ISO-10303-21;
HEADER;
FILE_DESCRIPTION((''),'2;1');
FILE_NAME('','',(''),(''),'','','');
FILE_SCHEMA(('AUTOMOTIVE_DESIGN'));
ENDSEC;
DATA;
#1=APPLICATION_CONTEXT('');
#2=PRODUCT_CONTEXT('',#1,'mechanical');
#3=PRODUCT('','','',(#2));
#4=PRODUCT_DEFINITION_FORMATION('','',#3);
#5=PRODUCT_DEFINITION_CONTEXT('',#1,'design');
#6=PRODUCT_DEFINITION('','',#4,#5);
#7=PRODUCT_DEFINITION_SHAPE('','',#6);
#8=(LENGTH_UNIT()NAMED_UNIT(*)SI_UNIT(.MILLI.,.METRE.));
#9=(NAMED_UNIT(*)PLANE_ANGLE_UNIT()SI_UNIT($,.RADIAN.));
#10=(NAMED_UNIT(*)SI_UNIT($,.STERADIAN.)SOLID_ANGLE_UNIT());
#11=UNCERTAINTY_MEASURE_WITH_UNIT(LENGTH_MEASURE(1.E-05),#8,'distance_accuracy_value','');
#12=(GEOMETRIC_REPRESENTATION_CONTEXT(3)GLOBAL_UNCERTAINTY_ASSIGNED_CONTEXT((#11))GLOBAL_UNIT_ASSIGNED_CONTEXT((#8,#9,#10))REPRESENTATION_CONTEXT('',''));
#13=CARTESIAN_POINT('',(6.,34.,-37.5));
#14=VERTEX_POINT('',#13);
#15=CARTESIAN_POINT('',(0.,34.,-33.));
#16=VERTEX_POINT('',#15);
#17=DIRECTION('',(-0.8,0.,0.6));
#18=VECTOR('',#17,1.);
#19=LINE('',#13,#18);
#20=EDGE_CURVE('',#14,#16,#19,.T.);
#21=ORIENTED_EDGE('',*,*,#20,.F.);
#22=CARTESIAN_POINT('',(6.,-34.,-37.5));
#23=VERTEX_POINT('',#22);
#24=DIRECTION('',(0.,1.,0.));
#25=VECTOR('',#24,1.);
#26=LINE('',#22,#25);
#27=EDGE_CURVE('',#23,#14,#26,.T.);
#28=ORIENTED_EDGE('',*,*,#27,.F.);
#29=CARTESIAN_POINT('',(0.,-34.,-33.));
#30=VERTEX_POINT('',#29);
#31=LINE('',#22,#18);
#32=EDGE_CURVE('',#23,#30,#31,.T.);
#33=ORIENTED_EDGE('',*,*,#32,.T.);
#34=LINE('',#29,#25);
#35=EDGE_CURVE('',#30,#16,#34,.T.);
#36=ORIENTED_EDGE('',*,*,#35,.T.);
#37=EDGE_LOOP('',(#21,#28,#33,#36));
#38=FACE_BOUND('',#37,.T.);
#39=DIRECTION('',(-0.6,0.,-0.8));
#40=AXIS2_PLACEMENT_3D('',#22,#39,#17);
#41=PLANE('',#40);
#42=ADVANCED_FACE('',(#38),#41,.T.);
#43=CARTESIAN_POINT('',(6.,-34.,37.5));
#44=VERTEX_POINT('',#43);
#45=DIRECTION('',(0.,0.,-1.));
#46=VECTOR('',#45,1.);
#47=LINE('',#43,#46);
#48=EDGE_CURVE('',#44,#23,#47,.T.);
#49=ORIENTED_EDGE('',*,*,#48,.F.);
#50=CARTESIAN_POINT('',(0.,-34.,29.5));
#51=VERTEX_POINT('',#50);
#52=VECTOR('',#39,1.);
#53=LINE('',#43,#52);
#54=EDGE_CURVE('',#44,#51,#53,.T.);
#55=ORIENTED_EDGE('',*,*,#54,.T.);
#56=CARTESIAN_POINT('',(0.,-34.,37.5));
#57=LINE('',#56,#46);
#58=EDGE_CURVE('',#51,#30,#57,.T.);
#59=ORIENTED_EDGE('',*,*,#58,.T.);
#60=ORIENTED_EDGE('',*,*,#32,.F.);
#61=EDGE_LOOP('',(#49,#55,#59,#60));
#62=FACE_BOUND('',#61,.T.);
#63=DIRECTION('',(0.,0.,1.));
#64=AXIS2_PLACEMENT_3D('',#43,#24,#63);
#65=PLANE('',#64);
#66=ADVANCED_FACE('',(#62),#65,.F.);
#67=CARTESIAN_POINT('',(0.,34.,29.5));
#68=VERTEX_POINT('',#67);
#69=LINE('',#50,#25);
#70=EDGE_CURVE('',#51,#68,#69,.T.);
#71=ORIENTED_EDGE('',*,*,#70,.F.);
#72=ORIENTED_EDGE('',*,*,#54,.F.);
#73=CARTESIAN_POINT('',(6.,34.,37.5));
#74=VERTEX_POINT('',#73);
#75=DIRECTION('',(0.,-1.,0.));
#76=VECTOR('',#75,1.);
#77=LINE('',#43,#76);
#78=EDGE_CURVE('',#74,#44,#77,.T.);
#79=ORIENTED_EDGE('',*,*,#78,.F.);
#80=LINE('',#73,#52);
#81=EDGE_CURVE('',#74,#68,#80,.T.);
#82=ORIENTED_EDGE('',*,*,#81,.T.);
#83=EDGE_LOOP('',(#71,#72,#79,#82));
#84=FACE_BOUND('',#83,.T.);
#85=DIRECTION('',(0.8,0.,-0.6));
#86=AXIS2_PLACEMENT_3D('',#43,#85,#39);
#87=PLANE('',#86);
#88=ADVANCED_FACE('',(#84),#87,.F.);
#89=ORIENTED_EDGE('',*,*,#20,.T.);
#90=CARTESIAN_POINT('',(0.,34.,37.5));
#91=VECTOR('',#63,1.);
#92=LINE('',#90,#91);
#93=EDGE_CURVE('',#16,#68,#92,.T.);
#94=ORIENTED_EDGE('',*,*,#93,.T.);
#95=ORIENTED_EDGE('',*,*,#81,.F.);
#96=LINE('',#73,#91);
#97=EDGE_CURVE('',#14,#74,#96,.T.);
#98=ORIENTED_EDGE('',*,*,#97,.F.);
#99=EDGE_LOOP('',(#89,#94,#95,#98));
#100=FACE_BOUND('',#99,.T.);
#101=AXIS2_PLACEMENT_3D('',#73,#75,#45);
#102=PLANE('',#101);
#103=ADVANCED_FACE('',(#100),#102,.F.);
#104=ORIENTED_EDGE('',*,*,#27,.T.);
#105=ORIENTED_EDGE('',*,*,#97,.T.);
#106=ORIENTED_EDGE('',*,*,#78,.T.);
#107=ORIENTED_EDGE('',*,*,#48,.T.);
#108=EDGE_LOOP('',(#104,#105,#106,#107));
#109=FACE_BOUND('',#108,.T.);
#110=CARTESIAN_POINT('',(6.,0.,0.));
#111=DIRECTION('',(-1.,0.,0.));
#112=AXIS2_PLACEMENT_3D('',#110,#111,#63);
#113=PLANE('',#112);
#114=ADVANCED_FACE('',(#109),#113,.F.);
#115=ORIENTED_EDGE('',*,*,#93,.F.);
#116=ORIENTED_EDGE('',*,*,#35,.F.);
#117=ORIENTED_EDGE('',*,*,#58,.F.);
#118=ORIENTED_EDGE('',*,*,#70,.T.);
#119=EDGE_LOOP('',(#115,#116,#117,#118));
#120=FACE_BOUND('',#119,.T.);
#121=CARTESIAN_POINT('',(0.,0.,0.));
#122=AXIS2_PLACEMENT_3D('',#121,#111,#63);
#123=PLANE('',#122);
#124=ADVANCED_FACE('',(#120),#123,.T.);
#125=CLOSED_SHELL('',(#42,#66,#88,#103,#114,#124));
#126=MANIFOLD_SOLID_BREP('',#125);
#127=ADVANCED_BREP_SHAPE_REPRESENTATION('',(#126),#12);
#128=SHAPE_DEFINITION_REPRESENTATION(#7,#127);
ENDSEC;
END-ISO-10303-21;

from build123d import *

# Parameters (mm, degrees)
SKETCH1_W           = 75
SKETCH1_H           = 68
BOSS_EXTRUDE1_DEPTH = 6
CUT_EXTRUDE1_DEPTH  = 78.886134838
CUT_EXTRUDE2_DEPTH  = 78.886134838


with BuildPart() as part:
    # Sketch1 → Boss-Extrude1 (new body)
    with BuildSketch(Plane(origin=(0, 0, 0), x_dir=(0, 0, -1), z_dir=(1, 0, 0))):
        Rectangle(SKETCH1_W, SKETCH1_H)
    extrude(amount=BOSS_EXTRUDE1_DEPTH)

    # Sketch2 → Cut-Extrude1 (cut, through all)
    with BuildSketch(Plane(origin=(0, 34, 0), x_dir=(1, 0, 0), z_dir=(0, 1, 0))):
        Polygon((6, 37.5), (0, 33), (0, 37.5), align=None)
    extrude(amount=-CUT_EXTRUDE1_DEPTH, mode=Mode.SUBTRACT)

    # Sketch3 → Cut-Extrude2 (cut, through all)
    with BuildSketch(Plane(origin=(0, 34, 0), x_dir=(1, 0, 0), z_dir=(0, 1, 0))):
        Polygon((6, -37.5), (0, -29.5), (0, -37.5), align=None)
    extrude(amount=-CUT_EXTRUDE2_DEPTH, mode=Mode.SUBTRACT)


solid = part.part
